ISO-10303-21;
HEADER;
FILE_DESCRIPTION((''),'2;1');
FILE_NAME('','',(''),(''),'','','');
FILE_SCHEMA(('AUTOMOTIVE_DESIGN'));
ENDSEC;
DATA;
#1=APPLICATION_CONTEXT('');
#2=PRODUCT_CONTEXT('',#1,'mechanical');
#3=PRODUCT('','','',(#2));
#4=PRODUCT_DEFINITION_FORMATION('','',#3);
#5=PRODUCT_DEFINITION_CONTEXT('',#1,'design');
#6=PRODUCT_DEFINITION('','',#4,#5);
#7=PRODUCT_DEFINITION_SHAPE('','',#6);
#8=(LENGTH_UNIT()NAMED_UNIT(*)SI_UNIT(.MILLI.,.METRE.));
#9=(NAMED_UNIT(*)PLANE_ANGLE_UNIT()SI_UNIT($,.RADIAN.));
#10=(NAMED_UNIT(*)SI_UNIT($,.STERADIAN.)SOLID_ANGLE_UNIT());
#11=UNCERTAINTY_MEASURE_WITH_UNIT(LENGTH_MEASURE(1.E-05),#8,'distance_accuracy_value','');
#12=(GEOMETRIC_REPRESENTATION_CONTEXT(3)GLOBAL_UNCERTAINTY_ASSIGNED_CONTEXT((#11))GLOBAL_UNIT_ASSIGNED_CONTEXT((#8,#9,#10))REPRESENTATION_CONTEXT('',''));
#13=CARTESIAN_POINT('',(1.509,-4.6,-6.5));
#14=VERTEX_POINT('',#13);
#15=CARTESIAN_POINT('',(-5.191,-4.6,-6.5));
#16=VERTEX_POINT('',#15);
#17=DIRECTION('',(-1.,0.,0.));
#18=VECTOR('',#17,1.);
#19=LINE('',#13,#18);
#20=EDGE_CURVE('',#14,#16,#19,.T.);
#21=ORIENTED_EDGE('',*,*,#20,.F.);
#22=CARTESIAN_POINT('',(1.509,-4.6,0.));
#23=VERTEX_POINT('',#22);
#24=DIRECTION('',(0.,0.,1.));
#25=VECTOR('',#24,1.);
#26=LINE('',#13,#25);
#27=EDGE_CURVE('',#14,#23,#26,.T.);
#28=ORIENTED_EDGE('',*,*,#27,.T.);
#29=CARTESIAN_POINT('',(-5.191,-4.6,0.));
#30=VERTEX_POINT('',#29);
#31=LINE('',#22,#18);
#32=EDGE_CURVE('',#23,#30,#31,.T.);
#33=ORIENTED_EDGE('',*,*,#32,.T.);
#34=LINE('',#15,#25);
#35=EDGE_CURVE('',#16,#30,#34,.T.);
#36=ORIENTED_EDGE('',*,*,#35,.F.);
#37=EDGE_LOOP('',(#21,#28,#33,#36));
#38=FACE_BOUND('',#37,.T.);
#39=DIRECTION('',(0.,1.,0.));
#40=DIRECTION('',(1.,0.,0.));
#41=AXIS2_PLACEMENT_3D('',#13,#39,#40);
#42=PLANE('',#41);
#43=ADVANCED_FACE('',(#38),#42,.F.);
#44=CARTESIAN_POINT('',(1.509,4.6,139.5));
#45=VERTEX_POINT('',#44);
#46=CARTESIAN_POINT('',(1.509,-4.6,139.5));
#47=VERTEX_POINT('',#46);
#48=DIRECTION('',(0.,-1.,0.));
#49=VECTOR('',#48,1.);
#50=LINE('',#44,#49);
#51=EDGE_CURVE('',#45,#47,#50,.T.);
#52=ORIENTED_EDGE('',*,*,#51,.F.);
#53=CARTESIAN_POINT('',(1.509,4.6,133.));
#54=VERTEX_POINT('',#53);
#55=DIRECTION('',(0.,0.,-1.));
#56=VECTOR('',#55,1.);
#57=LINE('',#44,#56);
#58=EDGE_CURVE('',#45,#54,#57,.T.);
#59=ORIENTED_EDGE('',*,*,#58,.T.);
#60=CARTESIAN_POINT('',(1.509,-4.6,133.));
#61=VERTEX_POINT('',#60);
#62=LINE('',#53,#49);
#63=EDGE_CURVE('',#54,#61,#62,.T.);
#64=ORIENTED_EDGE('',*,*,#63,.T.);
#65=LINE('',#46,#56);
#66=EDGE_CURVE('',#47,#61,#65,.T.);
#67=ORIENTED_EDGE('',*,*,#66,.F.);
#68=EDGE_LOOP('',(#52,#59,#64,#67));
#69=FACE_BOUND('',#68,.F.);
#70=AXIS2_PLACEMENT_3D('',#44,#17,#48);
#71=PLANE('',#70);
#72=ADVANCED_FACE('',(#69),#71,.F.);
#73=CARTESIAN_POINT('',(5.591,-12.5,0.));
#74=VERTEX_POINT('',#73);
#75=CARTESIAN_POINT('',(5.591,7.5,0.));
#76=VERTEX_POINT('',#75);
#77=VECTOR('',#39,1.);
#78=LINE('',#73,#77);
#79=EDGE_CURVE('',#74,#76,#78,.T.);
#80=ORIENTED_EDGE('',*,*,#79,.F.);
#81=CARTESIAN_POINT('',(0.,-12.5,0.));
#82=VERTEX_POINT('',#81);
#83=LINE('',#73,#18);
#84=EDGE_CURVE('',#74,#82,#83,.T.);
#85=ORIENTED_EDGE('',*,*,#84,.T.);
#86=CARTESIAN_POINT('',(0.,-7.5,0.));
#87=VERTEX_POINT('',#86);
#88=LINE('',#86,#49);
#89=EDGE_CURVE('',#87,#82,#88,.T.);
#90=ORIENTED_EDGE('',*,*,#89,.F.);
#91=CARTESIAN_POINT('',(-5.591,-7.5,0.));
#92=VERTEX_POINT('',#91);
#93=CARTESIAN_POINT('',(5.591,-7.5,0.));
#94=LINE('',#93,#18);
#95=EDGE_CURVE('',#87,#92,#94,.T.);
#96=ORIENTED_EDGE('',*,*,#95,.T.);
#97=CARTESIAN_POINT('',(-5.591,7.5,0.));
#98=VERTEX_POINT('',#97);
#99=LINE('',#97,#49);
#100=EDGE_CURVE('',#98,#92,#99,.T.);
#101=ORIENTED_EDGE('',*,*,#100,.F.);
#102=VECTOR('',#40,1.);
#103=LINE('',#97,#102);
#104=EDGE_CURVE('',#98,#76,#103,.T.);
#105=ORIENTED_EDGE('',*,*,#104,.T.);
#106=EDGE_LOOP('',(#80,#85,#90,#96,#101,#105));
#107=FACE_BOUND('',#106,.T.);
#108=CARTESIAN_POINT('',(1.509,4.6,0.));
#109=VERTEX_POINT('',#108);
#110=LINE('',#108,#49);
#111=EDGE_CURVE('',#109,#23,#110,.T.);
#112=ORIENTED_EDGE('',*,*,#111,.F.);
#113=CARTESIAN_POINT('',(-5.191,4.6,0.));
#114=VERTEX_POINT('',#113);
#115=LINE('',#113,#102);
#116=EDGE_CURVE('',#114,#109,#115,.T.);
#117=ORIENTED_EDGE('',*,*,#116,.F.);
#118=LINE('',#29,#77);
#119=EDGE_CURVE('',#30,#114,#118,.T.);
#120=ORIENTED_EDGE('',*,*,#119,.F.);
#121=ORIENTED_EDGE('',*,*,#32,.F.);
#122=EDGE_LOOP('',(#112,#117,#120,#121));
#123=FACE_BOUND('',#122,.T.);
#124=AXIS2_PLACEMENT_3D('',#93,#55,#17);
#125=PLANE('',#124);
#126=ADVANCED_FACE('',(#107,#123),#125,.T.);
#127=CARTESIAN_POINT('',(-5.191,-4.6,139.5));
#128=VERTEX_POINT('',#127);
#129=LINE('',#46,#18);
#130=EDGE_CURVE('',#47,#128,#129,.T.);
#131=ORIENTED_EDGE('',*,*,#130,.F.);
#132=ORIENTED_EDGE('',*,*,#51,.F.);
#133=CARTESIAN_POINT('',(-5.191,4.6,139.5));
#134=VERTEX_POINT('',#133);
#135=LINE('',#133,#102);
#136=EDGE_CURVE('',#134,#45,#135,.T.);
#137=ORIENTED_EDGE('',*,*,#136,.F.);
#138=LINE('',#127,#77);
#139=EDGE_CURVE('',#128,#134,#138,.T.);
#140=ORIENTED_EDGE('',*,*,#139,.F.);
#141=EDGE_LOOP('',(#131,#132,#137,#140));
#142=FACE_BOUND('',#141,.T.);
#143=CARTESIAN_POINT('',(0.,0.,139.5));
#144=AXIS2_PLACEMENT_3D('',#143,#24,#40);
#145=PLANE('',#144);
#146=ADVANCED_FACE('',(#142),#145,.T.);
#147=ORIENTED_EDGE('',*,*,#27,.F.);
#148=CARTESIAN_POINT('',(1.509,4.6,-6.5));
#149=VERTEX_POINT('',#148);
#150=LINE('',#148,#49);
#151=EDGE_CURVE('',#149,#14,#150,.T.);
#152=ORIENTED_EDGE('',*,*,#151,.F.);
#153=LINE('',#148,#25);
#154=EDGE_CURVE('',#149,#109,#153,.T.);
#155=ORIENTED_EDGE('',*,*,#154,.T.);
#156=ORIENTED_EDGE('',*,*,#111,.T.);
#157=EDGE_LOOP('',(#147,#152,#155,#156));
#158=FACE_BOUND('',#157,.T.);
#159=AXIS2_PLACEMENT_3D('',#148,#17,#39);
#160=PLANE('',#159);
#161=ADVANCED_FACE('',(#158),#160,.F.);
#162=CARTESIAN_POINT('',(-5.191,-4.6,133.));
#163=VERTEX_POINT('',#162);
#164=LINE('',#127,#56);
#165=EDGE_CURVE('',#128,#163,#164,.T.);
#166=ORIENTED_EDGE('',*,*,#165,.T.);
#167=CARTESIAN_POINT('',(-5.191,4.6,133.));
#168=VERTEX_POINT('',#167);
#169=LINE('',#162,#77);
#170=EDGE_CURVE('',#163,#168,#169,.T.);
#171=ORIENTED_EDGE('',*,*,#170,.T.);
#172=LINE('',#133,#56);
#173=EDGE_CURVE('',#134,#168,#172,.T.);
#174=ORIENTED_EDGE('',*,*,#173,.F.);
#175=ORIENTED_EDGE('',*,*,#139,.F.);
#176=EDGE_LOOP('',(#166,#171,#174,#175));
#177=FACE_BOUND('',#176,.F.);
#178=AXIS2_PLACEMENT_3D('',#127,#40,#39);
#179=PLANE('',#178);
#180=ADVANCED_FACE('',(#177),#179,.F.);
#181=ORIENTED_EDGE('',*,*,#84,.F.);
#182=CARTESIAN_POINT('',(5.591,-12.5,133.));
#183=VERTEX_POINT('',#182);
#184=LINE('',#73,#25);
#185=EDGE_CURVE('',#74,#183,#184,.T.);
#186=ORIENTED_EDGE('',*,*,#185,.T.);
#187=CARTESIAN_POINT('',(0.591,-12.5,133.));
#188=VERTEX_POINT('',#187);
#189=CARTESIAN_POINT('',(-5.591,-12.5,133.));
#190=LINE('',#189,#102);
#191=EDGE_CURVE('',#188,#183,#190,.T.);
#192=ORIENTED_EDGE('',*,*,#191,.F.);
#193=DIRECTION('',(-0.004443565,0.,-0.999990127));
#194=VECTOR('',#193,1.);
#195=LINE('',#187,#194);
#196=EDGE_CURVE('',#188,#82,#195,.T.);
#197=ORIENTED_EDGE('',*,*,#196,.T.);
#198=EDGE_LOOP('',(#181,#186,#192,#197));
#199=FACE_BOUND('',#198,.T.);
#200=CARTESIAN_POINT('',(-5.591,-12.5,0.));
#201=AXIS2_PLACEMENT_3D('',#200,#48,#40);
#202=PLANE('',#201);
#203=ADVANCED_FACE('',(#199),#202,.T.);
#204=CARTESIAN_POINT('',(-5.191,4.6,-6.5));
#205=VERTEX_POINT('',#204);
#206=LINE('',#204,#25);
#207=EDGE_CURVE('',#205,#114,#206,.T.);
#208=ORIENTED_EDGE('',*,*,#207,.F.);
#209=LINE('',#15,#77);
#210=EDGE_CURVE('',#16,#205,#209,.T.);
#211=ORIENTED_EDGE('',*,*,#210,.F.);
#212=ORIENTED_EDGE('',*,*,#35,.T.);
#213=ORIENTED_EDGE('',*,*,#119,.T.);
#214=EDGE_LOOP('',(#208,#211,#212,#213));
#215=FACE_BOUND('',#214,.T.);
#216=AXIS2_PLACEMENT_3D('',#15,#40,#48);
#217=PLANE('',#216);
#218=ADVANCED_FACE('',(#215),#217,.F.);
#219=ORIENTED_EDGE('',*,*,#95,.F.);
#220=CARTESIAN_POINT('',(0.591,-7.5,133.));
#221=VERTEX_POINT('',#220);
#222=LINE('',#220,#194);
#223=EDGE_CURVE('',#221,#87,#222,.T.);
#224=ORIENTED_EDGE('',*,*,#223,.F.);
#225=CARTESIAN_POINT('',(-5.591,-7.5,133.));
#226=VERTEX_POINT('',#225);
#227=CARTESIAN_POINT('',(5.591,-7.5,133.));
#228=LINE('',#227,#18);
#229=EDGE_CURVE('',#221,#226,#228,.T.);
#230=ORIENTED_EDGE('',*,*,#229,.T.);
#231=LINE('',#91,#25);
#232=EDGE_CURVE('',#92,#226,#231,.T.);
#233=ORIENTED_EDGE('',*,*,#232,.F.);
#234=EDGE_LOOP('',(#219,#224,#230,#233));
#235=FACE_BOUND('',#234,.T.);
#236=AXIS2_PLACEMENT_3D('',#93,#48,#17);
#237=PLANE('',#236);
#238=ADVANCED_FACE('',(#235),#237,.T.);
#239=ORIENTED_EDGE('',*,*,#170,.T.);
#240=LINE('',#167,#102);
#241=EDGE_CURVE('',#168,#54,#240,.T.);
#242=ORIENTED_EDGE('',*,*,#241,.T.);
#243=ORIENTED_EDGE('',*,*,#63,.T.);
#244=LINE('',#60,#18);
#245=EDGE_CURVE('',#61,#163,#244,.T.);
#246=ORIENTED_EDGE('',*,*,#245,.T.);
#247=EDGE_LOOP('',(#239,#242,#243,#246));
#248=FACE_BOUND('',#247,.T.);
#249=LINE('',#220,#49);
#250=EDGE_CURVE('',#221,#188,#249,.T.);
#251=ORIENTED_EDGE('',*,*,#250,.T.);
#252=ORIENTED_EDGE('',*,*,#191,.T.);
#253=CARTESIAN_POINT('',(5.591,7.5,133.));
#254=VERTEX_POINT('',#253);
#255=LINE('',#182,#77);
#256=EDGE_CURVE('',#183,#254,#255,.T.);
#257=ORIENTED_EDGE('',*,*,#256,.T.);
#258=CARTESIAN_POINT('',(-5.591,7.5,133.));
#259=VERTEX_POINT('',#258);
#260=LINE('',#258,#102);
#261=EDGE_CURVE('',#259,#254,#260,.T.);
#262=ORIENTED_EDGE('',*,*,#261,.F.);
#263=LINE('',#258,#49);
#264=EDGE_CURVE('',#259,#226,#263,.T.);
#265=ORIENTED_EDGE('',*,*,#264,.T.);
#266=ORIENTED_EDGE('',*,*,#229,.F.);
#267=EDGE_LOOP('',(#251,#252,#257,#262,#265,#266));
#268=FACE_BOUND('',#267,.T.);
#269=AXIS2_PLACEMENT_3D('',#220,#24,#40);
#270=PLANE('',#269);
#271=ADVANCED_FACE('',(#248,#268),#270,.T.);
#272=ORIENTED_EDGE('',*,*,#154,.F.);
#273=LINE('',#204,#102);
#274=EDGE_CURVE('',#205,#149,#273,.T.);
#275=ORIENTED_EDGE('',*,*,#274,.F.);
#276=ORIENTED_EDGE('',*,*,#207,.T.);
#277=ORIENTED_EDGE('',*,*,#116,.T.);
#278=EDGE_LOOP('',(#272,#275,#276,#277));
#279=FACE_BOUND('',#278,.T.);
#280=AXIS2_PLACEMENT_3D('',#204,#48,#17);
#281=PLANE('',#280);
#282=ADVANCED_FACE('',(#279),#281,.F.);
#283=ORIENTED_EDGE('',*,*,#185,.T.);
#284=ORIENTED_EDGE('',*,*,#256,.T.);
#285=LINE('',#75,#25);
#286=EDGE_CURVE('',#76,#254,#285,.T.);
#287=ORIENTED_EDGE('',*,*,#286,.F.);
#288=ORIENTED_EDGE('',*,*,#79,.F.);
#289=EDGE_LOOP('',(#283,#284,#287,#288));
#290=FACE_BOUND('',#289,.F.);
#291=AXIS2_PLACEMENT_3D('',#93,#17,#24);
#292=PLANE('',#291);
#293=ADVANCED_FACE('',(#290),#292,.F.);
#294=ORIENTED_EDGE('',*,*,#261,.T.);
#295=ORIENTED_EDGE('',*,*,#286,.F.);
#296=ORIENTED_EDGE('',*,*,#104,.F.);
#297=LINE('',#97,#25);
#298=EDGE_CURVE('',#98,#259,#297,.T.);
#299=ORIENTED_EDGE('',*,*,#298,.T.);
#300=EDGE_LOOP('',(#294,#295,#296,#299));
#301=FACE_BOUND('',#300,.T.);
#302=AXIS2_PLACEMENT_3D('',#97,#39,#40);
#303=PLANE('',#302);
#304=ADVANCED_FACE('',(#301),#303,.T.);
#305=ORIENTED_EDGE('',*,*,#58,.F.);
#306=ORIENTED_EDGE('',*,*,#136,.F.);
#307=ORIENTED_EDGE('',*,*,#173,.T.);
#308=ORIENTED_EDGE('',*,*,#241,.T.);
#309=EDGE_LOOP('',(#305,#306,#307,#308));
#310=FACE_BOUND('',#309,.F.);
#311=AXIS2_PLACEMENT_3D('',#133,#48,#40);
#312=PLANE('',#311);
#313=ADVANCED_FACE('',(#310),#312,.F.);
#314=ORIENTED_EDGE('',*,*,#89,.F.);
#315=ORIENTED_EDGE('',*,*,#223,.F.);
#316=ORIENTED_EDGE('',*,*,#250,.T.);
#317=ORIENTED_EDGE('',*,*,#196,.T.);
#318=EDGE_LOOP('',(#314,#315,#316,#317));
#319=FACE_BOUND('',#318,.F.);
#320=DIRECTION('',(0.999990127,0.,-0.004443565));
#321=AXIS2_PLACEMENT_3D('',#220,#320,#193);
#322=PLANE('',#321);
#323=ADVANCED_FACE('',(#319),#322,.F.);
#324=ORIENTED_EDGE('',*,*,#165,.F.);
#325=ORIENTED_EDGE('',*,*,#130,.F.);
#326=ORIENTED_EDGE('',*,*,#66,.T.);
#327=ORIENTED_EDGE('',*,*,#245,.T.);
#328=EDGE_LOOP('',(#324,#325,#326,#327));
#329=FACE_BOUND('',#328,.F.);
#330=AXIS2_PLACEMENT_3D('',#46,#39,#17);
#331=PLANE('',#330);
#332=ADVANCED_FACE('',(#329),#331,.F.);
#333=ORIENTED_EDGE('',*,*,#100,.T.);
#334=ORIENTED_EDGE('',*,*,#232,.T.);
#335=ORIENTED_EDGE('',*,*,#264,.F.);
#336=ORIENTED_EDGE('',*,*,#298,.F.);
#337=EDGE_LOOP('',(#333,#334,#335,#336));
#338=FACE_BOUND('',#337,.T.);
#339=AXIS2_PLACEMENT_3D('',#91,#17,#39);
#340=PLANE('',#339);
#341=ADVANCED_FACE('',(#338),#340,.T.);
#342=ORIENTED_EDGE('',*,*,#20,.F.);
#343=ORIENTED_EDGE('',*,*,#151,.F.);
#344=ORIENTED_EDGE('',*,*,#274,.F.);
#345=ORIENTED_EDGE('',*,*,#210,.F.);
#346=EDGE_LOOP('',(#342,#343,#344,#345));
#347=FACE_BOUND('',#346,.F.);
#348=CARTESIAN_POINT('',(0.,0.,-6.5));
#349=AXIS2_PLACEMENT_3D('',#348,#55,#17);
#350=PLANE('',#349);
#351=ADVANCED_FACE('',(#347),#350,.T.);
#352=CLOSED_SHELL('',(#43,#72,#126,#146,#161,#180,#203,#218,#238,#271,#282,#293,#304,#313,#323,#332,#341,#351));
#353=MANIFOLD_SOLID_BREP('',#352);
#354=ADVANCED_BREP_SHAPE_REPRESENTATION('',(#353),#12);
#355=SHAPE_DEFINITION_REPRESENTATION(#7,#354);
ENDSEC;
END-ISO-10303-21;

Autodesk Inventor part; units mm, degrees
ref_plane "YZ Plane" through (0, 0, 0) normal (1, 0, 0) x (0, 1, 0)
ref_plane "XZ Plane" through (0, 0, 0) normal (0, 1, 0) x (-1, 0, 0)
ref_plane "XY Plane" through (0, 0, 0) normal (0, 0, 1) x (1, 0, 0)
sketch "Sketch1" plane through (0, 0, 0) normal (0, 0, 1) x (1, 0, 0)
  line L0 (-5.591, -7.5) -> (-5.591, 7.5)
  line L1 (-5.591, 7.5) -> (5.591, 7.5)
  line L2 (5.591, 7.5) -> (5.591, -7.5)
  line L3 (5.591, -7.5) -> (-5.591, -7.5)
  line L4 (-5.591, -7.5) -> (5.591, 7.5) construction
  line L5 (-5.591, 7.5) -> (5.591, -7.5) construction
  point P0 (0, 0)
  dimension "d0" = 15
  dimension "d1" = 11.182
extrude "Extrusion1" add sketch "Sketch1" along normal blind 133
sketch "Sketch2" plane through (0, 0, 133) normal (0, 0, 1) x (1, 0, 0)
  line L0 (-5.591, 7.5) -> (-5.591, -7.5) projected
  line L1 (-5.591, 0) -> (-5.591, -5)
  line L2 (-5.591, -5) -> (1.909, -5)
  line L3 (1.909, -5) -> (1.909, 5)
  line L4 (5.591, 7.5) -> (-5.591, 7.5) projected
  line L5 (1.909, 5) -> (-5.591, 5)
  line L6 (-5.591, 5) -> (-5.591, 0)
  point P0 (0, 0)
  dimension "d4" = 5
  dimension "d5" = 7.5
  dimension "d6" = 10
  dimension "d7" = 7.5
extrude "Extrusion2" add sketch "Sketch2" along normal blind 6.5
ref_plane "Work Plane1" through (0, 0, 66.5) normal (0, 0, 1) x (1, 0, 0)
mirror "Mirror1" about plane through (0, 0, 66.5) normal (0, 0, 1) of "Extrusion2"
sketch "Sketch3" plane through (-5.591, -7.5, 0) normal (0, -1, 0) x (1, 0, 0)
  line L0 (0, 133) -> (11.182, 133) projected
  line L1 (11.182, 133) -> (6.182, 133)
  line L2 (6.182, 133) -> (5.591, 0)
  line L3 (11.182, 0) -> (0, 0) projected
  line L4 (5.591, 0) -> (11.182, 0)
  line L5 (11.182, 0) -> (11.182, 133) projected
  line L6 (11.182, 0) -> (11.182, 133)
  line L7 (0, 0) -> (0, 133) projected
  dimension "d10" = 5
extrude "Extrusion3" add sketch "Sketch3" along normal blind 5 contours L0 L5 L3 L2
sketch "Sketch4" plane through (0, 0, 139.5) normal (0, 0, 1) x (1, 0, 0)
  line L0 (-5.591, 5) -> (-5.591, -5) projected
  line L1 (-5.591, -5) -> (1.909, -5) projected
  line L2 (1.909, -5) -> (1.909, 5) projected
  line L3 (1.909, 5) -> (-5.591, 5) projected
  line L4 (-5.191, -4.6) -> (-5.191, 4.6)
  line L5 (-5.191, 4.6) -> (1.509, 4.6)
  line L6 (1.509, 4.6) -> (1.509, -4.6)
  line L7 (1.509, -4.6) -> (-5.191, -4.6)
  point P0 (0, 0)
  dimension "d13" = 0.4
extrude "Extrusion4" cut sketch "Sketch4" against normal up to surface (6.5 mm away)
mirror "Mirror2" about plane through (0, 0, 66.5) normal (0, 0, 1) of "Extrusion4"
ref_plane "Work Plane2" through (0, 0, 66.5) normal (0, 0, 1) x (1, 0, 0)
properties part number "Lower Beam Support"
